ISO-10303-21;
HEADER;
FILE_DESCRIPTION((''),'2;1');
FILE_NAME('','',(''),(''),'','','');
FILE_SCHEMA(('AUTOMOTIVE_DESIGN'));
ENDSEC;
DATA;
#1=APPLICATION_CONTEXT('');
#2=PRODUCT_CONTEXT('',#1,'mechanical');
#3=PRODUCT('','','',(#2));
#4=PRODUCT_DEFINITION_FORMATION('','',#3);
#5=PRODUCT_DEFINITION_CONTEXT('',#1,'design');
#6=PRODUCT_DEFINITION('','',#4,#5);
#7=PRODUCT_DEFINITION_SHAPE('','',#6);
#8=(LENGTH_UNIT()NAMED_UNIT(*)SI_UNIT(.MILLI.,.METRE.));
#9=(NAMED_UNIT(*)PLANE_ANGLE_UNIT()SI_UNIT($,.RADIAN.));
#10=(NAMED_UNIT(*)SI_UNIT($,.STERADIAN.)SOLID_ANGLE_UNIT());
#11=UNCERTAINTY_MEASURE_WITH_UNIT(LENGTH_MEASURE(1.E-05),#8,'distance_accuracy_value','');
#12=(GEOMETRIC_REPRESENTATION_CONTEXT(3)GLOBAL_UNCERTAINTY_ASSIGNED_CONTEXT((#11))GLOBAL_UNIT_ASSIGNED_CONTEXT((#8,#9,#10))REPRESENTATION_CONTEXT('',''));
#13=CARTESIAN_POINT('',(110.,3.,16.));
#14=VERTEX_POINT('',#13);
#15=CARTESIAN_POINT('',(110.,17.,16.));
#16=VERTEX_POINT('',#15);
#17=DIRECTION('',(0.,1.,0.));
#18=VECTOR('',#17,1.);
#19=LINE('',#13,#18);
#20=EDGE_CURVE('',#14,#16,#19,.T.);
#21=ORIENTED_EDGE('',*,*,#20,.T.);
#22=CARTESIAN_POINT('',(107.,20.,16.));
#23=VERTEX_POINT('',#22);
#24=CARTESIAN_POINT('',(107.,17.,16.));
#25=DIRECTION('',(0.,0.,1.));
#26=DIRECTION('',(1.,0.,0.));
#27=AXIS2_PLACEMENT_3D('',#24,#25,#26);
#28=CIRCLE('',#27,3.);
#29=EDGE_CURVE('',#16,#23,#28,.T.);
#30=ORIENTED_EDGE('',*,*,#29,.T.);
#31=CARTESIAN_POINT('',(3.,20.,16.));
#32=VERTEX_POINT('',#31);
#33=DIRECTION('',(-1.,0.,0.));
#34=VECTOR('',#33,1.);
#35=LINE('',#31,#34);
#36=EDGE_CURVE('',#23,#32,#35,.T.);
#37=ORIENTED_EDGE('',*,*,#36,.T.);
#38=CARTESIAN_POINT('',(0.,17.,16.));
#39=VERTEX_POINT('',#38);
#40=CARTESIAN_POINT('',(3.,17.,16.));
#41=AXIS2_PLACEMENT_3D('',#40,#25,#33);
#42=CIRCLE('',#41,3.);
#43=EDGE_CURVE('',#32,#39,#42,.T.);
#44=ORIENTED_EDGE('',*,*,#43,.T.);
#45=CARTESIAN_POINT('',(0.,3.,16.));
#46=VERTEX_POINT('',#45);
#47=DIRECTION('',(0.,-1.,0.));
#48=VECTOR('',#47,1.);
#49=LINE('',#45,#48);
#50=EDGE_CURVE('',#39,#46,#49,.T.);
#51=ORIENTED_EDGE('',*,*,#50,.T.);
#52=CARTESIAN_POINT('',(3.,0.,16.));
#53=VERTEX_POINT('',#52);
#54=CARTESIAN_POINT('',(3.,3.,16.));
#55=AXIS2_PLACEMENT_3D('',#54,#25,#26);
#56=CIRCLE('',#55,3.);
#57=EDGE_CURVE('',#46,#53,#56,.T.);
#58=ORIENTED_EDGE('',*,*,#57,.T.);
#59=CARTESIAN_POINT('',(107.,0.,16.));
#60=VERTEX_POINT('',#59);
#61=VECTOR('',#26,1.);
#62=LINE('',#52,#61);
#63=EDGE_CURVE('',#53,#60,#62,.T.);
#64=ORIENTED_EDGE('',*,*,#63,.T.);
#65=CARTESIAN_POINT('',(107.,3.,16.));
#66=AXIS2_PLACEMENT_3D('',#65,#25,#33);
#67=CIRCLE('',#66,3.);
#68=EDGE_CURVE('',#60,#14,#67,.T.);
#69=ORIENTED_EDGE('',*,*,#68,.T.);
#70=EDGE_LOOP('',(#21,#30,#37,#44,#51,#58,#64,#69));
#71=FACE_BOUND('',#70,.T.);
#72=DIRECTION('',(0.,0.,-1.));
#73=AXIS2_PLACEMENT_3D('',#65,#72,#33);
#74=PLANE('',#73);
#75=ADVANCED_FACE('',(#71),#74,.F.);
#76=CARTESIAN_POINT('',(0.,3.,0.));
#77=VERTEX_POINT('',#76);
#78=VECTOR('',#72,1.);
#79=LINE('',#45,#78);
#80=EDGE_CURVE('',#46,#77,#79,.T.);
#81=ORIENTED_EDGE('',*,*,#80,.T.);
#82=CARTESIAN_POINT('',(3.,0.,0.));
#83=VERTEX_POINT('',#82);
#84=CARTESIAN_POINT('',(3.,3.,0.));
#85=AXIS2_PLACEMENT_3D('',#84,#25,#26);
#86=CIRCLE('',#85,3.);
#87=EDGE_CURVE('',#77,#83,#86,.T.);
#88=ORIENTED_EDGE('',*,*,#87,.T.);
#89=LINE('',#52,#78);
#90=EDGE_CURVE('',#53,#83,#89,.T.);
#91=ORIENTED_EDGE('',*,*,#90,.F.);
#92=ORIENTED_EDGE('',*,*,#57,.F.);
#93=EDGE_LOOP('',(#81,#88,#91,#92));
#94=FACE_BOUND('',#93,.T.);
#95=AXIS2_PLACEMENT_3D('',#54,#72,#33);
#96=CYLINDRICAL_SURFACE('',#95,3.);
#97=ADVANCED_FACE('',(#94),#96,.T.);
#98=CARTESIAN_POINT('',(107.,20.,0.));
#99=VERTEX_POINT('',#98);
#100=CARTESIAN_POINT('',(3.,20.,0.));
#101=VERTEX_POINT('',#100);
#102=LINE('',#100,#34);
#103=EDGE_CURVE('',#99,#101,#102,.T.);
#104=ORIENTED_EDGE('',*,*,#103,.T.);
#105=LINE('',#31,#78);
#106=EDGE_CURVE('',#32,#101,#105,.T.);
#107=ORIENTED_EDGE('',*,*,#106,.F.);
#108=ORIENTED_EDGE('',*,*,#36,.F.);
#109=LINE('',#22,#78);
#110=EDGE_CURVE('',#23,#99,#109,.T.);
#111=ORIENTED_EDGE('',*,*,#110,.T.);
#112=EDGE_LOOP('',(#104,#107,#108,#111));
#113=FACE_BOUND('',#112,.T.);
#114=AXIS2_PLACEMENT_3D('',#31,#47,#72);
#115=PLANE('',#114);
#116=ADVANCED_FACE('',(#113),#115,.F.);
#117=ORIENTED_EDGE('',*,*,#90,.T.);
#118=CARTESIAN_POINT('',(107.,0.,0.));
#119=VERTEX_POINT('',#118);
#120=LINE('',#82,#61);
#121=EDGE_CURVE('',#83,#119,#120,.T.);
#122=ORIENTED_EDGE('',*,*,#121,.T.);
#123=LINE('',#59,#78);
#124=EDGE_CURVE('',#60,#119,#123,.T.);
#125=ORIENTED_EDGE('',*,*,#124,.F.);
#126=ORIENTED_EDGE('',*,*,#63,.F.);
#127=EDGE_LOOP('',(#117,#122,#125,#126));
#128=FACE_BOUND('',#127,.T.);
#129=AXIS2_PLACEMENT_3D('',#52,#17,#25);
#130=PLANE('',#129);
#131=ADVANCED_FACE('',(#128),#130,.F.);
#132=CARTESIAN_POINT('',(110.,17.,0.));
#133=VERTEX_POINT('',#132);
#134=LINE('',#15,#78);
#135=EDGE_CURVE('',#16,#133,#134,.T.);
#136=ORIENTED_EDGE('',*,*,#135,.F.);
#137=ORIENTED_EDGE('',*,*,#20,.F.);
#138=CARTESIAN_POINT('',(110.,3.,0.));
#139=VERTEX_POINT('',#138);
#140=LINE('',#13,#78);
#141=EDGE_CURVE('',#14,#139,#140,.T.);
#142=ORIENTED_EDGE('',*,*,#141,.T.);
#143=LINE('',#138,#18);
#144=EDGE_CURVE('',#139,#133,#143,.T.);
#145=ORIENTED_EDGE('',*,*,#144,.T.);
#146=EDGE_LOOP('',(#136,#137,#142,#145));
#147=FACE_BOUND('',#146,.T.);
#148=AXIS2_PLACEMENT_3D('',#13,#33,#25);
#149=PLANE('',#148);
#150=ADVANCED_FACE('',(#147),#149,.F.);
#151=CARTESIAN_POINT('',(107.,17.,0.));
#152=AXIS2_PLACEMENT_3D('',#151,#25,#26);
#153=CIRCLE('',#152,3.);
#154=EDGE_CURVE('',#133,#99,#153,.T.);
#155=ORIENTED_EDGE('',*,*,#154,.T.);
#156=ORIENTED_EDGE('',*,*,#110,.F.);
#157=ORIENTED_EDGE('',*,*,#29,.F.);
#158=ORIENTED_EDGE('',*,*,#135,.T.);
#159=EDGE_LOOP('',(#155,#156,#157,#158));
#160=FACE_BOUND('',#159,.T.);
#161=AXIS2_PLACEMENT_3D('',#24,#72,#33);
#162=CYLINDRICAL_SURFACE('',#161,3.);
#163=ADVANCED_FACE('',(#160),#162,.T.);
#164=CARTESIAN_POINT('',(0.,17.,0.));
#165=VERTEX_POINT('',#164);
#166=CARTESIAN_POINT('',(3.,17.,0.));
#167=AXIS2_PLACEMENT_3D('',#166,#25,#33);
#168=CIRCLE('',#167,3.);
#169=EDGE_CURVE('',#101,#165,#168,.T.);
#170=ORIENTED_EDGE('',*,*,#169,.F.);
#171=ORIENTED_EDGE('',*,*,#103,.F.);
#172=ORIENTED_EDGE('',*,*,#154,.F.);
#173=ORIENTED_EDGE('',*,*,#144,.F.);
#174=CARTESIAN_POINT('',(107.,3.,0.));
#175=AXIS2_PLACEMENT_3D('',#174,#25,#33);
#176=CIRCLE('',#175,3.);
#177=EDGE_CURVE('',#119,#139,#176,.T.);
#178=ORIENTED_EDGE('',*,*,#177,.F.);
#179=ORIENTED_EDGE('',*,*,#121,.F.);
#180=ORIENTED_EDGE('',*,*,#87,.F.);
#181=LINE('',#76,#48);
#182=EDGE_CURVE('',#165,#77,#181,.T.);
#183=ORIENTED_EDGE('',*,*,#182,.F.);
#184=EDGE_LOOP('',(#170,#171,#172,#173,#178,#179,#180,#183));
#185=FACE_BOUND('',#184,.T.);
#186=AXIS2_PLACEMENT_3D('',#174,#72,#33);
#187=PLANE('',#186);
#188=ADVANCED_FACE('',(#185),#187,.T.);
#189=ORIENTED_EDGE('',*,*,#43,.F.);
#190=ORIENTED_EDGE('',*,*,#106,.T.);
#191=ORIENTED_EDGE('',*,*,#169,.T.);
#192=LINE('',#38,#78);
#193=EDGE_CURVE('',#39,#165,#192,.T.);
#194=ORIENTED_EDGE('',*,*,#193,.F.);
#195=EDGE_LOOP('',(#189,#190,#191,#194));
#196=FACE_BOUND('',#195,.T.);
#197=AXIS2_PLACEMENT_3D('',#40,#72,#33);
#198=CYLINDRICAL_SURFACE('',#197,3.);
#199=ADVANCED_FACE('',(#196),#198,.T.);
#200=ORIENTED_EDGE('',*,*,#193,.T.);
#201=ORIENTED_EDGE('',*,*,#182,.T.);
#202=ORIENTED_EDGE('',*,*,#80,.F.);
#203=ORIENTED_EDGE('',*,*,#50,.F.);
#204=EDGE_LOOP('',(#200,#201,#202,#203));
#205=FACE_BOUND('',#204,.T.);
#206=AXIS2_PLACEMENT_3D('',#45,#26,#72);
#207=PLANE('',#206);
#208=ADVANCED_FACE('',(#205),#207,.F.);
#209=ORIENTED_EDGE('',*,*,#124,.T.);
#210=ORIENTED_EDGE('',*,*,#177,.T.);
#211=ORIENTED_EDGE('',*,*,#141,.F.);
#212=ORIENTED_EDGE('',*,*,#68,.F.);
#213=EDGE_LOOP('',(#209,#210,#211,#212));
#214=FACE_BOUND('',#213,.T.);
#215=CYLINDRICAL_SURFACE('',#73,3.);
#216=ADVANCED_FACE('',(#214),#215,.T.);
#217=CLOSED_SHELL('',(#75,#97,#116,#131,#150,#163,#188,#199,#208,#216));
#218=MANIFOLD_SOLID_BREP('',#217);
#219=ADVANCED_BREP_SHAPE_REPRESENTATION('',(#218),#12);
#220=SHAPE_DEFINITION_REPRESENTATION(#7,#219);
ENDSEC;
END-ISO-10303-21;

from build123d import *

# Parameters (mm, degrees)
EXTRUDE_1_DEPTH = 16


with BuildPart() as part:
    # 草图1 → 凸台-拉伸1 (new body)
    with BuildSketch(Plane.XY):
        with BuildLine():
            Line((3, 0), (107, 0))
            ThreePointArc((107, 0), (109.121320344, 0.878679656), (110, 3))
            Line((110, 3), (110, 17))
            ThreePointArc((110, 17), (109.121320344, 19.121320344), (107, 20))
            Line((107, 20), (3, 20))
            ThreePointArc((3, 20), (0.878679656, 19.121320344), (0, 17))
            Line((0, 17), (0, 3))
            ThreePointArc((0, 3), (0.878679656, 0.878679656), (3, 0))
        make_face()
    extrude(amount=EXTRUDE_1_DEPTH)


solid = part.part
